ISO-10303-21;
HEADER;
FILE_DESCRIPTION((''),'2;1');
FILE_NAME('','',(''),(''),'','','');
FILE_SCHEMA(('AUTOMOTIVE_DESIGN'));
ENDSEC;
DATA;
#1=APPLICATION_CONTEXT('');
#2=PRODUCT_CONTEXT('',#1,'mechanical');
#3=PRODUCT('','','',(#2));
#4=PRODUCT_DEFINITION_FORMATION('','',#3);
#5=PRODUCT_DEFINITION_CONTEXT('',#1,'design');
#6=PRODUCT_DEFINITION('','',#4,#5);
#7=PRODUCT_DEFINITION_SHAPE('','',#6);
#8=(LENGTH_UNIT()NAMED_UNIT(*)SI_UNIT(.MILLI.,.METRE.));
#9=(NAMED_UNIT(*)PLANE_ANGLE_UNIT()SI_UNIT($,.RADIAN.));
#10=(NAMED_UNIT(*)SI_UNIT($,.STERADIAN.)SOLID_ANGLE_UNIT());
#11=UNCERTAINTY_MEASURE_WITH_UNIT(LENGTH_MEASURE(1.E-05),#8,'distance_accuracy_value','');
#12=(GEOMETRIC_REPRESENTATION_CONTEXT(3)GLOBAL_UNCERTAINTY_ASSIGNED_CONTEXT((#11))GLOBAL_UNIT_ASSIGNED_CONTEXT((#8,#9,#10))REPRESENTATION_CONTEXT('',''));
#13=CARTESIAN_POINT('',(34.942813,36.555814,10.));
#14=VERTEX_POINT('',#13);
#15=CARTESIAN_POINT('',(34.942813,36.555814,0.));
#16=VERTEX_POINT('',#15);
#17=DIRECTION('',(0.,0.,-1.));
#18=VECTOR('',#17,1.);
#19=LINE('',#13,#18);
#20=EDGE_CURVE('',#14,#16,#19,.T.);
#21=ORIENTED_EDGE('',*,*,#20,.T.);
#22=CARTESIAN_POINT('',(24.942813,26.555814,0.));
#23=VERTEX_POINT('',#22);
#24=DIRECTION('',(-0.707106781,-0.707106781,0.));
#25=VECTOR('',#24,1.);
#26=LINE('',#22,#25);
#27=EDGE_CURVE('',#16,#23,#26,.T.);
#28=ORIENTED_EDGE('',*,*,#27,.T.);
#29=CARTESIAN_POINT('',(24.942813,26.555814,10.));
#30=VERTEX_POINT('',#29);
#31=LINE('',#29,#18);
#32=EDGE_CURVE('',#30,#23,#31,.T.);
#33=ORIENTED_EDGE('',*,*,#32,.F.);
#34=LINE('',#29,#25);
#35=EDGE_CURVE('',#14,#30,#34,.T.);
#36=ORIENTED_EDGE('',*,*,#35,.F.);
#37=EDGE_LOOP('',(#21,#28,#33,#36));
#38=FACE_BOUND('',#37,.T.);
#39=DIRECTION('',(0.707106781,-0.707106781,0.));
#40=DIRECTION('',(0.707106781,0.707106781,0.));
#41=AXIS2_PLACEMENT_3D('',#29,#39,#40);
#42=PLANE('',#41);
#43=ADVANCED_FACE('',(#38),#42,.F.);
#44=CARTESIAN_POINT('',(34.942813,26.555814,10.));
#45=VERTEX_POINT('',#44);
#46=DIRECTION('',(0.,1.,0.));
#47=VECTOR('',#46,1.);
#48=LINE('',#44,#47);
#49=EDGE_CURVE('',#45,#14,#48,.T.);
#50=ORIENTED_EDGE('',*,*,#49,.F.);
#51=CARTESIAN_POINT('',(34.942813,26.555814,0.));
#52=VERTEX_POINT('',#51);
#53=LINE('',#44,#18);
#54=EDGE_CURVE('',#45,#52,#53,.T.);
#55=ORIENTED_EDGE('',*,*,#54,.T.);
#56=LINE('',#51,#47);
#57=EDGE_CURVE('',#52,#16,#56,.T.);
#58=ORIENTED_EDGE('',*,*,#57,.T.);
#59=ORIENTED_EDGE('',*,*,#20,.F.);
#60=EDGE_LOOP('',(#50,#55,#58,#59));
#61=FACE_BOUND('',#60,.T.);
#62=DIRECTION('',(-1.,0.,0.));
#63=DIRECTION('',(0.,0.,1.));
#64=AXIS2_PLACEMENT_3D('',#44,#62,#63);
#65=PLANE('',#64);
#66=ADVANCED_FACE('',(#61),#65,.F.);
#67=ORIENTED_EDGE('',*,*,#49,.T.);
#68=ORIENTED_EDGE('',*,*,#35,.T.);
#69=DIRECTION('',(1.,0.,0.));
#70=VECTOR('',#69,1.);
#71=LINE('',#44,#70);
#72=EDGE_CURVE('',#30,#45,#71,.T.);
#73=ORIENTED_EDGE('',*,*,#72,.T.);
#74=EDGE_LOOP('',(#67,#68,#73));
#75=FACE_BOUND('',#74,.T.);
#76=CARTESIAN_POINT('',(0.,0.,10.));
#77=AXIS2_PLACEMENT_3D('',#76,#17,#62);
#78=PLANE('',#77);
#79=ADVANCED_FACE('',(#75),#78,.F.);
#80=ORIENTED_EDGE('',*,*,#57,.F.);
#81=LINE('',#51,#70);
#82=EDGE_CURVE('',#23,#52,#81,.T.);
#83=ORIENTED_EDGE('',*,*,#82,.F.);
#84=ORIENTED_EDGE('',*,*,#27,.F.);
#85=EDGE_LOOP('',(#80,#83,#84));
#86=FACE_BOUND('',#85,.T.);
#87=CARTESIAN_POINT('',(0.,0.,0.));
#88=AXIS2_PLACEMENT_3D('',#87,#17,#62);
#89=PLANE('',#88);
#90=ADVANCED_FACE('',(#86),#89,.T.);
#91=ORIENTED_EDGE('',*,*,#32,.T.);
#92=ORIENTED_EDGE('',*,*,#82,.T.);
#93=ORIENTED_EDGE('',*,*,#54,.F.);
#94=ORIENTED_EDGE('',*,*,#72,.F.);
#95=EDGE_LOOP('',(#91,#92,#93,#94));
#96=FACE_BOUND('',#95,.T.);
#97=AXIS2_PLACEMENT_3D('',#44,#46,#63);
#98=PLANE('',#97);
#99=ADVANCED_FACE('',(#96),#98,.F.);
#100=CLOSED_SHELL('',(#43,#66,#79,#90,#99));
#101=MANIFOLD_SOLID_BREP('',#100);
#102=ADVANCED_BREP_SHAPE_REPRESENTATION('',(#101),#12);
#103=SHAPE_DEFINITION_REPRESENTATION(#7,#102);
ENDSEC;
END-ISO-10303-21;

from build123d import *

# Parameters (mm, degrees)
EXTRUDE_1_DEPTH = 10


with BuildPart() as part:
    # 草图1 → 凸台-拉伸1 (new body)
    with BuildSketch(Plane.XY):
        Polygon((34.942812742, 26.555814048), (34.942812742, 36.555814048), (24.942812742, 26.555814048), align=None)
    extrude(amount=EXTRUDE_1_DEPTH)


solid = part.part
